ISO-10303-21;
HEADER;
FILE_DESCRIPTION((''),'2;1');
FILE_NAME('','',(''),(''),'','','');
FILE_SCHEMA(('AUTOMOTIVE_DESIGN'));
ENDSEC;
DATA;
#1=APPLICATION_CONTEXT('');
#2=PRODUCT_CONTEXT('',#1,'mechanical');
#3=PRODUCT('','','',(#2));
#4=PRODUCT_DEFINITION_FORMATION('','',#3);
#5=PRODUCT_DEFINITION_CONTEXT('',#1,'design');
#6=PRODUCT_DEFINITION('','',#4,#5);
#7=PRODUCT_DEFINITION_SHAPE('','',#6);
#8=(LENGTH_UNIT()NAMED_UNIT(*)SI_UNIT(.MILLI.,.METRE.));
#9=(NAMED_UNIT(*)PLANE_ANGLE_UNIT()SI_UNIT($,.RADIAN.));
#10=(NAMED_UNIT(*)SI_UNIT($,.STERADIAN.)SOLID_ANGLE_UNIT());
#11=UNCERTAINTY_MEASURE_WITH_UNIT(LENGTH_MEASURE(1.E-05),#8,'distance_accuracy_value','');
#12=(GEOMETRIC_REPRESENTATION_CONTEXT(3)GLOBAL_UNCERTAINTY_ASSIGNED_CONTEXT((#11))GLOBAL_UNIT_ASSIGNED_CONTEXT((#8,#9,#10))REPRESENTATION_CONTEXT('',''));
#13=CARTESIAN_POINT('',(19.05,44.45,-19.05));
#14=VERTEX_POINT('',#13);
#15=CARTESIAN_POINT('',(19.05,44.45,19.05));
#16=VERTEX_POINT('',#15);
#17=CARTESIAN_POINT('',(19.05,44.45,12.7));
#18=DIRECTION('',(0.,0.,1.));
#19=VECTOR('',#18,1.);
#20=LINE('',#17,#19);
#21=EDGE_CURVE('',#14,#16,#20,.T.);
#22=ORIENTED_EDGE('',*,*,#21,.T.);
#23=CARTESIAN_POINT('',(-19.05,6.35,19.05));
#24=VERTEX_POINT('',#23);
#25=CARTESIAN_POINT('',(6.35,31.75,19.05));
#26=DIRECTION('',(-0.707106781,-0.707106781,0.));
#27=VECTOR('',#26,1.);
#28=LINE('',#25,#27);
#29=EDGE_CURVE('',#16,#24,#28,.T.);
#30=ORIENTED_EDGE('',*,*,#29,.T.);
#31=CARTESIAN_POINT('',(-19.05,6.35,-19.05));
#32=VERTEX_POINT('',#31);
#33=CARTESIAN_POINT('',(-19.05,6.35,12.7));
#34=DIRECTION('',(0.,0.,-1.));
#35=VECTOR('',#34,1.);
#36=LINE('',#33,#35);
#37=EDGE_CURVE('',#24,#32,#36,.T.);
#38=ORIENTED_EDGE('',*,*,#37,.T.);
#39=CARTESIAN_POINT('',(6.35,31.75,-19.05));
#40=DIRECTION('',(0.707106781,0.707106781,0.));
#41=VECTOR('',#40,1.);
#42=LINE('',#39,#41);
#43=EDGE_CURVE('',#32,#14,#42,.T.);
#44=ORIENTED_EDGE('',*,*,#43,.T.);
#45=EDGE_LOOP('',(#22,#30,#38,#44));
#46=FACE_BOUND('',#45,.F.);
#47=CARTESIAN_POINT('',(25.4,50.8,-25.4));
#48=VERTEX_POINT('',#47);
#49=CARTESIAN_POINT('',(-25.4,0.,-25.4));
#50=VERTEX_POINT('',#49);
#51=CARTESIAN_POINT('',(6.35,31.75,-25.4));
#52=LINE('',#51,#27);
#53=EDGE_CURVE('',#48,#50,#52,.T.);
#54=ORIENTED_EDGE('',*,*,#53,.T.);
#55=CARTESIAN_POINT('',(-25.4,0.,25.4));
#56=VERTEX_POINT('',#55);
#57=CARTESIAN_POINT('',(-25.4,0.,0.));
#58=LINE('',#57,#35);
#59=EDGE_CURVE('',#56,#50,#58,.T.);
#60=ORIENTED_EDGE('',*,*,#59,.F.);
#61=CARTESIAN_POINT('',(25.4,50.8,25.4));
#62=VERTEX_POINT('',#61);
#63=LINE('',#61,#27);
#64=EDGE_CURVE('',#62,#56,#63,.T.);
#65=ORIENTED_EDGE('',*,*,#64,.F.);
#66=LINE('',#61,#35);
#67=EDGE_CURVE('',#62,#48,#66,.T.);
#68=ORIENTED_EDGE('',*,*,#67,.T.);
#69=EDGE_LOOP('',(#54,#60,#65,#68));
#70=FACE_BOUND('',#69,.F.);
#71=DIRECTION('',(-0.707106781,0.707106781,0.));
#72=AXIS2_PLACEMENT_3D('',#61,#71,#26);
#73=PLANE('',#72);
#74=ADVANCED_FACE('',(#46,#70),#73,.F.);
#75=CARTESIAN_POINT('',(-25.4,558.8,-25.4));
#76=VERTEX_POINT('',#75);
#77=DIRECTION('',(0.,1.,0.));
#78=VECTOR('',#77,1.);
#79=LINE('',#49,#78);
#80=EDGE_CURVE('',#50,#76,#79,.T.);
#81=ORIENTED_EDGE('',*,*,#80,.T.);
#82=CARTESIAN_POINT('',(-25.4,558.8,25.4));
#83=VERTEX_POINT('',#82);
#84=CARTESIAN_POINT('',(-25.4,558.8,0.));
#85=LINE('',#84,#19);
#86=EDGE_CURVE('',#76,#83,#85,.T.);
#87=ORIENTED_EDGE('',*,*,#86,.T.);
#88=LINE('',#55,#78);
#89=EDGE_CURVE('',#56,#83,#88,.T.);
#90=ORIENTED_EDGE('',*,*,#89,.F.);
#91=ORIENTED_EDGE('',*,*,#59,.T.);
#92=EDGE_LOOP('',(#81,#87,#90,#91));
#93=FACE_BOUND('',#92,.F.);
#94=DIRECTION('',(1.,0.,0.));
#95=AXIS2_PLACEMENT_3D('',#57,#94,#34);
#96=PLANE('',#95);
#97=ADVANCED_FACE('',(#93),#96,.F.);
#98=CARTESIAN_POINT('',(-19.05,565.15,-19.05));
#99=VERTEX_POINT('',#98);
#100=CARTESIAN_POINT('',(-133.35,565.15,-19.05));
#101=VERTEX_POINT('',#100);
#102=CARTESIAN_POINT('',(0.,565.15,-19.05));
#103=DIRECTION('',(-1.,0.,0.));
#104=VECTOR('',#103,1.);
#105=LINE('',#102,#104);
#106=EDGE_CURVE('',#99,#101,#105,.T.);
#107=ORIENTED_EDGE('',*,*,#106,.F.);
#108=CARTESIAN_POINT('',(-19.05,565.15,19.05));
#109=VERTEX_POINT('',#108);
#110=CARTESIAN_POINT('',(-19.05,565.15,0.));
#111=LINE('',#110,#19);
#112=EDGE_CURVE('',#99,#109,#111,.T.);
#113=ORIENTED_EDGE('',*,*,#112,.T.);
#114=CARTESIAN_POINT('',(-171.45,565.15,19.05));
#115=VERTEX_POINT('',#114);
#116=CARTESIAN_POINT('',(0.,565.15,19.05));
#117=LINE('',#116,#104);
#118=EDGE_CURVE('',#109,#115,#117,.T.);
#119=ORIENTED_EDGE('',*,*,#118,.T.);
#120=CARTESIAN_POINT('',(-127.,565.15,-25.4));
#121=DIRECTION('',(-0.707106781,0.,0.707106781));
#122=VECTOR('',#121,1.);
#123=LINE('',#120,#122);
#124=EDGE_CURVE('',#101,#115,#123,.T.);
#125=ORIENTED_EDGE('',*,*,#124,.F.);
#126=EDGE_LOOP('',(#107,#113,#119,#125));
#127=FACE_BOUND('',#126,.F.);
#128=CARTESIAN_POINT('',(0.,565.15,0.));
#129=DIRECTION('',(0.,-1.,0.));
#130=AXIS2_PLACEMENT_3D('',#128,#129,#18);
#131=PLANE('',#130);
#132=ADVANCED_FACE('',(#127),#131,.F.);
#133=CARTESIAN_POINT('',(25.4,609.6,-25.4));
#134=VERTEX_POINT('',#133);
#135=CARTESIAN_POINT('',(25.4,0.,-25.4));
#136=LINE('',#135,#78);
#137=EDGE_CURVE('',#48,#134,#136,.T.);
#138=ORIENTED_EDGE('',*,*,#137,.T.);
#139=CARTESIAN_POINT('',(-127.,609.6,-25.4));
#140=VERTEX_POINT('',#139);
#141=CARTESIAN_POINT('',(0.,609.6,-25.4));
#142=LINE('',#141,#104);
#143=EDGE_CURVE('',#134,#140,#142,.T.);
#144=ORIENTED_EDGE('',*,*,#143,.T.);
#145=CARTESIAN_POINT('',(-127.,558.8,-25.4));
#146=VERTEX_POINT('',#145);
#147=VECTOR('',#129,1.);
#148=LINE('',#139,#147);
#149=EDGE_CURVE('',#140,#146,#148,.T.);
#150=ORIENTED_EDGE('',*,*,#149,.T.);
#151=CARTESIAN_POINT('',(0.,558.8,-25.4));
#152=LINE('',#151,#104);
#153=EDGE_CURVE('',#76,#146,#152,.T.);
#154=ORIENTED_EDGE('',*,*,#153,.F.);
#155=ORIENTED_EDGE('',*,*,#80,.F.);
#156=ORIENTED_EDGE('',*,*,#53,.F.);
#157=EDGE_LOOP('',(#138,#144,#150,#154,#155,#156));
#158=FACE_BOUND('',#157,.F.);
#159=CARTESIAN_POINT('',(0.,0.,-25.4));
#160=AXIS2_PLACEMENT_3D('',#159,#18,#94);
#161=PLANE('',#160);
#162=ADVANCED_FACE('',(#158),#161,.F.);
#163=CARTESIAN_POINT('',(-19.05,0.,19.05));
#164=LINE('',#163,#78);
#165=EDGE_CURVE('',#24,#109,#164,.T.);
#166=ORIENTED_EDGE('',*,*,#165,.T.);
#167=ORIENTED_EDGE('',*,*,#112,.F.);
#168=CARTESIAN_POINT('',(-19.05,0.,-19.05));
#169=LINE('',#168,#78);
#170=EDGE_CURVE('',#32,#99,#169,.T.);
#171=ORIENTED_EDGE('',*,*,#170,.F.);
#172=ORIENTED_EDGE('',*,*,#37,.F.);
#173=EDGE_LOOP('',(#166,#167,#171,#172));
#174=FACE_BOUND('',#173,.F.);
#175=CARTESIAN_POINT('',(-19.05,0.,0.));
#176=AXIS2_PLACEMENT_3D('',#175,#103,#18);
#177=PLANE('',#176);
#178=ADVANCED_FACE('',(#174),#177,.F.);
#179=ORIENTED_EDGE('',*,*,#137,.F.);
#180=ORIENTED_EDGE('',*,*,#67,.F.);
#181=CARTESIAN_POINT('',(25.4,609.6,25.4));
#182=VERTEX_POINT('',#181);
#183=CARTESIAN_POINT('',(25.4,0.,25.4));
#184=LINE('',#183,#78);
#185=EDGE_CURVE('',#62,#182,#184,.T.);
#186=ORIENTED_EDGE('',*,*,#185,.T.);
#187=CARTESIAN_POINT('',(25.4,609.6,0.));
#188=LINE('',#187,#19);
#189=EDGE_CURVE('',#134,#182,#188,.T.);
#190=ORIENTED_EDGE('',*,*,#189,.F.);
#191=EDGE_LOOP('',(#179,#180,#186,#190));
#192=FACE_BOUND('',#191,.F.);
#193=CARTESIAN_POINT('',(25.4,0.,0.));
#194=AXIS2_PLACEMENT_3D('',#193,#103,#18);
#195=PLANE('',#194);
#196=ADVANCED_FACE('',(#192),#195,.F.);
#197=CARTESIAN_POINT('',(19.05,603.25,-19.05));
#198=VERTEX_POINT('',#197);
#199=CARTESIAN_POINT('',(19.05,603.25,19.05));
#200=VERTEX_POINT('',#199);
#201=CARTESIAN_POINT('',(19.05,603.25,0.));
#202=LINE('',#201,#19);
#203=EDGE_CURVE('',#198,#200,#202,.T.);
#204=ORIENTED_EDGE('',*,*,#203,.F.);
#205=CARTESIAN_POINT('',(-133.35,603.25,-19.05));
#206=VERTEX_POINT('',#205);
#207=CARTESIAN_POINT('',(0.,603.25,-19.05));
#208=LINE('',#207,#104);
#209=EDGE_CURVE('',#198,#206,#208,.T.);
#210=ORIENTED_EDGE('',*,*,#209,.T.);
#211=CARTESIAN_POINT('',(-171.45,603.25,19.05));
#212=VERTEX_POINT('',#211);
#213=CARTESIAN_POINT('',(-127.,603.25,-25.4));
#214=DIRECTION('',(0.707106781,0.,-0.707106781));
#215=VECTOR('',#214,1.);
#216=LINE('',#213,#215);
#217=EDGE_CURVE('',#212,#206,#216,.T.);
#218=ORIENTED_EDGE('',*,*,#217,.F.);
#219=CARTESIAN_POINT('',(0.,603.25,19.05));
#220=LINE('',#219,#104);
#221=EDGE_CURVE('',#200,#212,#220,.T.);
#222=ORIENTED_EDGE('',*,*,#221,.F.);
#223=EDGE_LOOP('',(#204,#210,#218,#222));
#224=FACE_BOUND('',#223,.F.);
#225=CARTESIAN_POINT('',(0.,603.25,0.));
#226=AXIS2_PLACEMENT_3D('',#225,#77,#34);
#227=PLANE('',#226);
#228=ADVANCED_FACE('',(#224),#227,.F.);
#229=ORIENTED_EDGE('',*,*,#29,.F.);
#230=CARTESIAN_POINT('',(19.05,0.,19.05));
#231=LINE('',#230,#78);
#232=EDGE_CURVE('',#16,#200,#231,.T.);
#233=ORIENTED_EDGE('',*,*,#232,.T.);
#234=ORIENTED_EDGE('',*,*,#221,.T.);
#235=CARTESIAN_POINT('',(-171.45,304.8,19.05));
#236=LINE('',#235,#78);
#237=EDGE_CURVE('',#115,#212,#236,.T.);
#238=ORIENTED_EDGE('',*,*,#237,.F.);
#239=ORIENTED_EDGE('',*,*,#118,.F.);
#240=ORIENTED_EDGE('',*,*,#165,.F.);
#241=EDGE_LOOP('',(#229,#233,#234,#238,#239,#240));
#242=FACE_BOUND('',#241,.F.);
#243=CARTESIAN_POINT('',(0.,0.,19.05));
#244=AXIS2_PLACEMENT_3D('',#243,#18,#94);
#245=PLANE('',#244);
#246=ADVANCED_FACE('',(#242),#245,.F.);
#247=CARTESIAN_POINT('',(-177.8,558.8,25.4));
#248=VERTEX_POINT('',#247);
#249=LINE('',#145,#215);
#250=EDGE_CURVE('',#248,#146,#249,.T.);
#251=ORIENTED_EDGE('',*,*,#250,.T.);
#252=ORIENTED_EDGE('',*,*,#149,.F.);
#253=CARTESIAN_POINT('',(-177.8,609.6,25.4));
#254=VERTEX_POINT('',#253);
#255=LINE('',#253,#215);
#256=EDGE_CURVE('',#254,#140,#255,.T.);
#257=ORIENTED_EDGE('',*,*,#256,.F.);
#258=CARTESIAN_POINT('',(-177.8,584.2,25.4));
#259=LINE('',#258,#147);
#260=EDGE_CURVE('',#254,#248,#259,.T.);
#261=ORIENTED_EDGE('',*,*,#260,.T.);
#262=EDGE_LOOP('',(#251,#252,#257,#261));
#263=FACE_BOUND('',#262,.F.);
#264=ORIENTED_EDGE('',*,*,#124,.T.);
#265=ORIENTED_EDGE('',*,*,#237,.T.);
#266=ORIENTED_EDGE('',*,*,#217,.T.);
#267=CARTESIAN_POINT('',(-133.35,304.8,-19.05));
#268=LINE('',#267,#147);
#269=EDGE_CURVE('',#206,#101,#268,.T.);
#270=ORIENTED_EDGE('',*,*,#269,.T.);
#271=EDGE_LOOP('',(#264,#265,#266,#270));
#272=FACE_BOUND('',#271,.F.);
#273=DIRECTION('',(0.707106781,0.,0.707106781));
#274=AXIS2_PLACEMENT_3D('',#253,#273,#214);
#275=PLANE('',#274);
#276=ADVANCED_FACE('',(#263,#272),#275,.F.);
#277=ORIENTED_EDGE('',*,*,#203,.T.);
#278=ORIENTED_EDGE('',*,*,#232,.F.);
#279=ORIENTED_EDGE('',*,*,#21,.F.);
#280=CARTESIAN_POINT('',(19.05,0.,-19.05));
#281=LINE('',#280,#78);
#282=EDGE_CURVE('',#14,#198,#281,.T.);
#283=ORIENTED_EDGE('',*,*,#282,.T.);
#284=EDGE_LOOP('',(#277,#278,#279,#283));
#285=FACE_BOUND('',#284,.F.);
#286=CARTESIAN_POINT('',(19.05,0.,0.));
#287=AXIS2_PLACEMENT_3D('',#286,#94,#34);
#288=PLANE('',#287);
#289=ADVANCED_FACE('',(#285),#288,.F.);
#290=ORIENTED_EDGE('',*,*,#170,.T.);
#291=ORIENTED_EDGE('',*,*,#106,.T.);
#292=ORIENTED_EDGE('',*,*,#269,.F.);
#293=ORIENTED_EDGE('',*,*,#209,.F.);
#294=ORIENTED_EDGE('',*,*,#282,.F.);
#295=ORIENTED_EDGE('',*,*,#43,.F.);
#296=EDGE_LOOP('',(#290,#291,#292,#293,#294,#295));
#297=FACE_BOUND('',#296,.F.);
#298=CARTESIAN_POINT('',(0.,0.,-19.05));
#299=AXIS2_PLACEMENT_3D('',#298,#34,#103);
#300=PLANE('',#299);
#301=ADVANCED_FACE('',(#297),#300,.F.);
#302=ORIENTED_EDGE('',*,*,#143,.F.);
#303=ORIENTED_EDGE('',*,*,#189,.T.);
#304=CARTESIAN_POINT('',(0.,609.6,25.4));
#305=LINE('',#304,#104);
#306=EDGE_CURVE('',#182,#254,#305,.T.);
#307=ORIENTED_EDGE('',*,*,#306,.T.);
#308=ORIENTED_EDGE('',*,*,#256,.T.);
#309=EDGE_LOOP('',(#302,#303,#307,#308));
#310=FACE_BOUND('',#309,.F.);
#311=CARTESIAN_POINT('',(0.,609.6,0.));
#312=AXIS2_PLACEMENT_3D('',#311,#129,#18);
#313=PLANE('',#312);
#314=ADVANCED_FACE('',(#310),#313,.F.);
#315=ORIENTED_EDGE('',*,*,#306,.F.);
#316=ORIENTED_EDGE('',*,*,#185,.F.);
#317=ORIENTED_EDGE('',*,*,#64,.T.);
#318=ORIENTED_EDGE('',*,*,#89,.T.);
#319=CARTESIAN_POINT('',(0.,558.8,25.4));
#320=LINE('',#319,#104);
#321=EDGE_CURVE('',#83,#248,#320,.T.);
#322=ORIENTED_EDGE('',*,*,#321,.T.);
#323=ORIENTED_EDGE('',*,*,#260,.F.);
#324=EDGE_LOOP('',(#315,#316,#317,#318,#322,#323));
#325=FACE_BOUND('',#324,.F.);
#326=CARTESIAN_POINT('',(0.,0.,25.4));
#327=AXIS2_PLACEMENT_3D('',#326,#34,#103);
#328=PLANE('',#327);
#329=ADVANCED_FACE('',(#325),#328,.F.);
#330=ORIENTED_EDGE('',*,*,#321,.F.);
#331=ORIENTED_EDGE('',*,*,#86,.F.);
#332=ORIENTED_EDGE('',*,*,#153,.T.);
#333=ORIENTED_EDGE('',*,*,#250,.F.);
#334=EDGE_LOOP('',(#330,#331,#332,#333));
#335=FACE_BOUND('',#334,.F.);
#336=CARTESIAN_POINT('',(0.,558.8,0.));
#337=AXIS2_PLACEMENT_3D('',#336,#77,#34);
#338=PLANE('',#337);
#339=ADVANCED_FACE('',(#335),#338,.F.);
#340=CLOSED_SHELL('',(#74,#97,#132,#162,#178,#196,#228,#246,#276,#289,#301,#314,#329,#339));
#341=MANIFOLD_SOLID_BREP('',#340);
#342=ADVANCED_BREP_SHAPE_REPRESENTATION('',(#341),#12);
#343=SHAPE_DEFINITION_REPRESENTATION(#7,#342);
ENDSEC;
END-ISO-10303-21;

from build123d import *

# Parameters (mm, degrees)
F1_W     = 50.8
F1_H     = 50.8
F1_W_2   = 38.1
F1_H_2   = 38.1
F4_DEPTH = 50.801
F6_DEPTH = 609.601


with BuildPart() as f2:
    # F2: sweep along a path in F0
    with BuildLine(Plane.XY) as f2_path:
        Line((0, 0), (0, 584.2))
        Line((0, 584.2), (-177.8, 584.2))
    # F1 (on Front) → F2 (sweep)
    with BuildSketch(Plane.XZ):
        Rectangle(F1_W, F1_H)
        Rectangle(F1_W_2, F1_H_2, mode=Mode.SUBTRACT)
    sweep(path=f2_path.line, transition=Transition.RIGHT)

    # F3 (on face) → F4 (cut, through all)
    with BuildSketch(Plane.XY.offset(25.4)):
        Polygon((-25.4, 0), (25.4, 0), (25.4, 50.8), align=None)
    extrude(amount=-F4_DEPTH, mode=Mode.SUBTRACT)

    # F5 (on face) → F6 (cut, through all)
    with BuildSketch(Plane(origin=(0, 609.6, 0), x_dir=(-1, 0, 0), z_dir=(0, 1, 0))):
        Polygon((177.8, -25.4), (177.8, 25.4), (127, -25.4), align=None)
    extrude(amount=-F6_DEPTH, mode=Mode.SUBTRACT)


solid = f2.part
